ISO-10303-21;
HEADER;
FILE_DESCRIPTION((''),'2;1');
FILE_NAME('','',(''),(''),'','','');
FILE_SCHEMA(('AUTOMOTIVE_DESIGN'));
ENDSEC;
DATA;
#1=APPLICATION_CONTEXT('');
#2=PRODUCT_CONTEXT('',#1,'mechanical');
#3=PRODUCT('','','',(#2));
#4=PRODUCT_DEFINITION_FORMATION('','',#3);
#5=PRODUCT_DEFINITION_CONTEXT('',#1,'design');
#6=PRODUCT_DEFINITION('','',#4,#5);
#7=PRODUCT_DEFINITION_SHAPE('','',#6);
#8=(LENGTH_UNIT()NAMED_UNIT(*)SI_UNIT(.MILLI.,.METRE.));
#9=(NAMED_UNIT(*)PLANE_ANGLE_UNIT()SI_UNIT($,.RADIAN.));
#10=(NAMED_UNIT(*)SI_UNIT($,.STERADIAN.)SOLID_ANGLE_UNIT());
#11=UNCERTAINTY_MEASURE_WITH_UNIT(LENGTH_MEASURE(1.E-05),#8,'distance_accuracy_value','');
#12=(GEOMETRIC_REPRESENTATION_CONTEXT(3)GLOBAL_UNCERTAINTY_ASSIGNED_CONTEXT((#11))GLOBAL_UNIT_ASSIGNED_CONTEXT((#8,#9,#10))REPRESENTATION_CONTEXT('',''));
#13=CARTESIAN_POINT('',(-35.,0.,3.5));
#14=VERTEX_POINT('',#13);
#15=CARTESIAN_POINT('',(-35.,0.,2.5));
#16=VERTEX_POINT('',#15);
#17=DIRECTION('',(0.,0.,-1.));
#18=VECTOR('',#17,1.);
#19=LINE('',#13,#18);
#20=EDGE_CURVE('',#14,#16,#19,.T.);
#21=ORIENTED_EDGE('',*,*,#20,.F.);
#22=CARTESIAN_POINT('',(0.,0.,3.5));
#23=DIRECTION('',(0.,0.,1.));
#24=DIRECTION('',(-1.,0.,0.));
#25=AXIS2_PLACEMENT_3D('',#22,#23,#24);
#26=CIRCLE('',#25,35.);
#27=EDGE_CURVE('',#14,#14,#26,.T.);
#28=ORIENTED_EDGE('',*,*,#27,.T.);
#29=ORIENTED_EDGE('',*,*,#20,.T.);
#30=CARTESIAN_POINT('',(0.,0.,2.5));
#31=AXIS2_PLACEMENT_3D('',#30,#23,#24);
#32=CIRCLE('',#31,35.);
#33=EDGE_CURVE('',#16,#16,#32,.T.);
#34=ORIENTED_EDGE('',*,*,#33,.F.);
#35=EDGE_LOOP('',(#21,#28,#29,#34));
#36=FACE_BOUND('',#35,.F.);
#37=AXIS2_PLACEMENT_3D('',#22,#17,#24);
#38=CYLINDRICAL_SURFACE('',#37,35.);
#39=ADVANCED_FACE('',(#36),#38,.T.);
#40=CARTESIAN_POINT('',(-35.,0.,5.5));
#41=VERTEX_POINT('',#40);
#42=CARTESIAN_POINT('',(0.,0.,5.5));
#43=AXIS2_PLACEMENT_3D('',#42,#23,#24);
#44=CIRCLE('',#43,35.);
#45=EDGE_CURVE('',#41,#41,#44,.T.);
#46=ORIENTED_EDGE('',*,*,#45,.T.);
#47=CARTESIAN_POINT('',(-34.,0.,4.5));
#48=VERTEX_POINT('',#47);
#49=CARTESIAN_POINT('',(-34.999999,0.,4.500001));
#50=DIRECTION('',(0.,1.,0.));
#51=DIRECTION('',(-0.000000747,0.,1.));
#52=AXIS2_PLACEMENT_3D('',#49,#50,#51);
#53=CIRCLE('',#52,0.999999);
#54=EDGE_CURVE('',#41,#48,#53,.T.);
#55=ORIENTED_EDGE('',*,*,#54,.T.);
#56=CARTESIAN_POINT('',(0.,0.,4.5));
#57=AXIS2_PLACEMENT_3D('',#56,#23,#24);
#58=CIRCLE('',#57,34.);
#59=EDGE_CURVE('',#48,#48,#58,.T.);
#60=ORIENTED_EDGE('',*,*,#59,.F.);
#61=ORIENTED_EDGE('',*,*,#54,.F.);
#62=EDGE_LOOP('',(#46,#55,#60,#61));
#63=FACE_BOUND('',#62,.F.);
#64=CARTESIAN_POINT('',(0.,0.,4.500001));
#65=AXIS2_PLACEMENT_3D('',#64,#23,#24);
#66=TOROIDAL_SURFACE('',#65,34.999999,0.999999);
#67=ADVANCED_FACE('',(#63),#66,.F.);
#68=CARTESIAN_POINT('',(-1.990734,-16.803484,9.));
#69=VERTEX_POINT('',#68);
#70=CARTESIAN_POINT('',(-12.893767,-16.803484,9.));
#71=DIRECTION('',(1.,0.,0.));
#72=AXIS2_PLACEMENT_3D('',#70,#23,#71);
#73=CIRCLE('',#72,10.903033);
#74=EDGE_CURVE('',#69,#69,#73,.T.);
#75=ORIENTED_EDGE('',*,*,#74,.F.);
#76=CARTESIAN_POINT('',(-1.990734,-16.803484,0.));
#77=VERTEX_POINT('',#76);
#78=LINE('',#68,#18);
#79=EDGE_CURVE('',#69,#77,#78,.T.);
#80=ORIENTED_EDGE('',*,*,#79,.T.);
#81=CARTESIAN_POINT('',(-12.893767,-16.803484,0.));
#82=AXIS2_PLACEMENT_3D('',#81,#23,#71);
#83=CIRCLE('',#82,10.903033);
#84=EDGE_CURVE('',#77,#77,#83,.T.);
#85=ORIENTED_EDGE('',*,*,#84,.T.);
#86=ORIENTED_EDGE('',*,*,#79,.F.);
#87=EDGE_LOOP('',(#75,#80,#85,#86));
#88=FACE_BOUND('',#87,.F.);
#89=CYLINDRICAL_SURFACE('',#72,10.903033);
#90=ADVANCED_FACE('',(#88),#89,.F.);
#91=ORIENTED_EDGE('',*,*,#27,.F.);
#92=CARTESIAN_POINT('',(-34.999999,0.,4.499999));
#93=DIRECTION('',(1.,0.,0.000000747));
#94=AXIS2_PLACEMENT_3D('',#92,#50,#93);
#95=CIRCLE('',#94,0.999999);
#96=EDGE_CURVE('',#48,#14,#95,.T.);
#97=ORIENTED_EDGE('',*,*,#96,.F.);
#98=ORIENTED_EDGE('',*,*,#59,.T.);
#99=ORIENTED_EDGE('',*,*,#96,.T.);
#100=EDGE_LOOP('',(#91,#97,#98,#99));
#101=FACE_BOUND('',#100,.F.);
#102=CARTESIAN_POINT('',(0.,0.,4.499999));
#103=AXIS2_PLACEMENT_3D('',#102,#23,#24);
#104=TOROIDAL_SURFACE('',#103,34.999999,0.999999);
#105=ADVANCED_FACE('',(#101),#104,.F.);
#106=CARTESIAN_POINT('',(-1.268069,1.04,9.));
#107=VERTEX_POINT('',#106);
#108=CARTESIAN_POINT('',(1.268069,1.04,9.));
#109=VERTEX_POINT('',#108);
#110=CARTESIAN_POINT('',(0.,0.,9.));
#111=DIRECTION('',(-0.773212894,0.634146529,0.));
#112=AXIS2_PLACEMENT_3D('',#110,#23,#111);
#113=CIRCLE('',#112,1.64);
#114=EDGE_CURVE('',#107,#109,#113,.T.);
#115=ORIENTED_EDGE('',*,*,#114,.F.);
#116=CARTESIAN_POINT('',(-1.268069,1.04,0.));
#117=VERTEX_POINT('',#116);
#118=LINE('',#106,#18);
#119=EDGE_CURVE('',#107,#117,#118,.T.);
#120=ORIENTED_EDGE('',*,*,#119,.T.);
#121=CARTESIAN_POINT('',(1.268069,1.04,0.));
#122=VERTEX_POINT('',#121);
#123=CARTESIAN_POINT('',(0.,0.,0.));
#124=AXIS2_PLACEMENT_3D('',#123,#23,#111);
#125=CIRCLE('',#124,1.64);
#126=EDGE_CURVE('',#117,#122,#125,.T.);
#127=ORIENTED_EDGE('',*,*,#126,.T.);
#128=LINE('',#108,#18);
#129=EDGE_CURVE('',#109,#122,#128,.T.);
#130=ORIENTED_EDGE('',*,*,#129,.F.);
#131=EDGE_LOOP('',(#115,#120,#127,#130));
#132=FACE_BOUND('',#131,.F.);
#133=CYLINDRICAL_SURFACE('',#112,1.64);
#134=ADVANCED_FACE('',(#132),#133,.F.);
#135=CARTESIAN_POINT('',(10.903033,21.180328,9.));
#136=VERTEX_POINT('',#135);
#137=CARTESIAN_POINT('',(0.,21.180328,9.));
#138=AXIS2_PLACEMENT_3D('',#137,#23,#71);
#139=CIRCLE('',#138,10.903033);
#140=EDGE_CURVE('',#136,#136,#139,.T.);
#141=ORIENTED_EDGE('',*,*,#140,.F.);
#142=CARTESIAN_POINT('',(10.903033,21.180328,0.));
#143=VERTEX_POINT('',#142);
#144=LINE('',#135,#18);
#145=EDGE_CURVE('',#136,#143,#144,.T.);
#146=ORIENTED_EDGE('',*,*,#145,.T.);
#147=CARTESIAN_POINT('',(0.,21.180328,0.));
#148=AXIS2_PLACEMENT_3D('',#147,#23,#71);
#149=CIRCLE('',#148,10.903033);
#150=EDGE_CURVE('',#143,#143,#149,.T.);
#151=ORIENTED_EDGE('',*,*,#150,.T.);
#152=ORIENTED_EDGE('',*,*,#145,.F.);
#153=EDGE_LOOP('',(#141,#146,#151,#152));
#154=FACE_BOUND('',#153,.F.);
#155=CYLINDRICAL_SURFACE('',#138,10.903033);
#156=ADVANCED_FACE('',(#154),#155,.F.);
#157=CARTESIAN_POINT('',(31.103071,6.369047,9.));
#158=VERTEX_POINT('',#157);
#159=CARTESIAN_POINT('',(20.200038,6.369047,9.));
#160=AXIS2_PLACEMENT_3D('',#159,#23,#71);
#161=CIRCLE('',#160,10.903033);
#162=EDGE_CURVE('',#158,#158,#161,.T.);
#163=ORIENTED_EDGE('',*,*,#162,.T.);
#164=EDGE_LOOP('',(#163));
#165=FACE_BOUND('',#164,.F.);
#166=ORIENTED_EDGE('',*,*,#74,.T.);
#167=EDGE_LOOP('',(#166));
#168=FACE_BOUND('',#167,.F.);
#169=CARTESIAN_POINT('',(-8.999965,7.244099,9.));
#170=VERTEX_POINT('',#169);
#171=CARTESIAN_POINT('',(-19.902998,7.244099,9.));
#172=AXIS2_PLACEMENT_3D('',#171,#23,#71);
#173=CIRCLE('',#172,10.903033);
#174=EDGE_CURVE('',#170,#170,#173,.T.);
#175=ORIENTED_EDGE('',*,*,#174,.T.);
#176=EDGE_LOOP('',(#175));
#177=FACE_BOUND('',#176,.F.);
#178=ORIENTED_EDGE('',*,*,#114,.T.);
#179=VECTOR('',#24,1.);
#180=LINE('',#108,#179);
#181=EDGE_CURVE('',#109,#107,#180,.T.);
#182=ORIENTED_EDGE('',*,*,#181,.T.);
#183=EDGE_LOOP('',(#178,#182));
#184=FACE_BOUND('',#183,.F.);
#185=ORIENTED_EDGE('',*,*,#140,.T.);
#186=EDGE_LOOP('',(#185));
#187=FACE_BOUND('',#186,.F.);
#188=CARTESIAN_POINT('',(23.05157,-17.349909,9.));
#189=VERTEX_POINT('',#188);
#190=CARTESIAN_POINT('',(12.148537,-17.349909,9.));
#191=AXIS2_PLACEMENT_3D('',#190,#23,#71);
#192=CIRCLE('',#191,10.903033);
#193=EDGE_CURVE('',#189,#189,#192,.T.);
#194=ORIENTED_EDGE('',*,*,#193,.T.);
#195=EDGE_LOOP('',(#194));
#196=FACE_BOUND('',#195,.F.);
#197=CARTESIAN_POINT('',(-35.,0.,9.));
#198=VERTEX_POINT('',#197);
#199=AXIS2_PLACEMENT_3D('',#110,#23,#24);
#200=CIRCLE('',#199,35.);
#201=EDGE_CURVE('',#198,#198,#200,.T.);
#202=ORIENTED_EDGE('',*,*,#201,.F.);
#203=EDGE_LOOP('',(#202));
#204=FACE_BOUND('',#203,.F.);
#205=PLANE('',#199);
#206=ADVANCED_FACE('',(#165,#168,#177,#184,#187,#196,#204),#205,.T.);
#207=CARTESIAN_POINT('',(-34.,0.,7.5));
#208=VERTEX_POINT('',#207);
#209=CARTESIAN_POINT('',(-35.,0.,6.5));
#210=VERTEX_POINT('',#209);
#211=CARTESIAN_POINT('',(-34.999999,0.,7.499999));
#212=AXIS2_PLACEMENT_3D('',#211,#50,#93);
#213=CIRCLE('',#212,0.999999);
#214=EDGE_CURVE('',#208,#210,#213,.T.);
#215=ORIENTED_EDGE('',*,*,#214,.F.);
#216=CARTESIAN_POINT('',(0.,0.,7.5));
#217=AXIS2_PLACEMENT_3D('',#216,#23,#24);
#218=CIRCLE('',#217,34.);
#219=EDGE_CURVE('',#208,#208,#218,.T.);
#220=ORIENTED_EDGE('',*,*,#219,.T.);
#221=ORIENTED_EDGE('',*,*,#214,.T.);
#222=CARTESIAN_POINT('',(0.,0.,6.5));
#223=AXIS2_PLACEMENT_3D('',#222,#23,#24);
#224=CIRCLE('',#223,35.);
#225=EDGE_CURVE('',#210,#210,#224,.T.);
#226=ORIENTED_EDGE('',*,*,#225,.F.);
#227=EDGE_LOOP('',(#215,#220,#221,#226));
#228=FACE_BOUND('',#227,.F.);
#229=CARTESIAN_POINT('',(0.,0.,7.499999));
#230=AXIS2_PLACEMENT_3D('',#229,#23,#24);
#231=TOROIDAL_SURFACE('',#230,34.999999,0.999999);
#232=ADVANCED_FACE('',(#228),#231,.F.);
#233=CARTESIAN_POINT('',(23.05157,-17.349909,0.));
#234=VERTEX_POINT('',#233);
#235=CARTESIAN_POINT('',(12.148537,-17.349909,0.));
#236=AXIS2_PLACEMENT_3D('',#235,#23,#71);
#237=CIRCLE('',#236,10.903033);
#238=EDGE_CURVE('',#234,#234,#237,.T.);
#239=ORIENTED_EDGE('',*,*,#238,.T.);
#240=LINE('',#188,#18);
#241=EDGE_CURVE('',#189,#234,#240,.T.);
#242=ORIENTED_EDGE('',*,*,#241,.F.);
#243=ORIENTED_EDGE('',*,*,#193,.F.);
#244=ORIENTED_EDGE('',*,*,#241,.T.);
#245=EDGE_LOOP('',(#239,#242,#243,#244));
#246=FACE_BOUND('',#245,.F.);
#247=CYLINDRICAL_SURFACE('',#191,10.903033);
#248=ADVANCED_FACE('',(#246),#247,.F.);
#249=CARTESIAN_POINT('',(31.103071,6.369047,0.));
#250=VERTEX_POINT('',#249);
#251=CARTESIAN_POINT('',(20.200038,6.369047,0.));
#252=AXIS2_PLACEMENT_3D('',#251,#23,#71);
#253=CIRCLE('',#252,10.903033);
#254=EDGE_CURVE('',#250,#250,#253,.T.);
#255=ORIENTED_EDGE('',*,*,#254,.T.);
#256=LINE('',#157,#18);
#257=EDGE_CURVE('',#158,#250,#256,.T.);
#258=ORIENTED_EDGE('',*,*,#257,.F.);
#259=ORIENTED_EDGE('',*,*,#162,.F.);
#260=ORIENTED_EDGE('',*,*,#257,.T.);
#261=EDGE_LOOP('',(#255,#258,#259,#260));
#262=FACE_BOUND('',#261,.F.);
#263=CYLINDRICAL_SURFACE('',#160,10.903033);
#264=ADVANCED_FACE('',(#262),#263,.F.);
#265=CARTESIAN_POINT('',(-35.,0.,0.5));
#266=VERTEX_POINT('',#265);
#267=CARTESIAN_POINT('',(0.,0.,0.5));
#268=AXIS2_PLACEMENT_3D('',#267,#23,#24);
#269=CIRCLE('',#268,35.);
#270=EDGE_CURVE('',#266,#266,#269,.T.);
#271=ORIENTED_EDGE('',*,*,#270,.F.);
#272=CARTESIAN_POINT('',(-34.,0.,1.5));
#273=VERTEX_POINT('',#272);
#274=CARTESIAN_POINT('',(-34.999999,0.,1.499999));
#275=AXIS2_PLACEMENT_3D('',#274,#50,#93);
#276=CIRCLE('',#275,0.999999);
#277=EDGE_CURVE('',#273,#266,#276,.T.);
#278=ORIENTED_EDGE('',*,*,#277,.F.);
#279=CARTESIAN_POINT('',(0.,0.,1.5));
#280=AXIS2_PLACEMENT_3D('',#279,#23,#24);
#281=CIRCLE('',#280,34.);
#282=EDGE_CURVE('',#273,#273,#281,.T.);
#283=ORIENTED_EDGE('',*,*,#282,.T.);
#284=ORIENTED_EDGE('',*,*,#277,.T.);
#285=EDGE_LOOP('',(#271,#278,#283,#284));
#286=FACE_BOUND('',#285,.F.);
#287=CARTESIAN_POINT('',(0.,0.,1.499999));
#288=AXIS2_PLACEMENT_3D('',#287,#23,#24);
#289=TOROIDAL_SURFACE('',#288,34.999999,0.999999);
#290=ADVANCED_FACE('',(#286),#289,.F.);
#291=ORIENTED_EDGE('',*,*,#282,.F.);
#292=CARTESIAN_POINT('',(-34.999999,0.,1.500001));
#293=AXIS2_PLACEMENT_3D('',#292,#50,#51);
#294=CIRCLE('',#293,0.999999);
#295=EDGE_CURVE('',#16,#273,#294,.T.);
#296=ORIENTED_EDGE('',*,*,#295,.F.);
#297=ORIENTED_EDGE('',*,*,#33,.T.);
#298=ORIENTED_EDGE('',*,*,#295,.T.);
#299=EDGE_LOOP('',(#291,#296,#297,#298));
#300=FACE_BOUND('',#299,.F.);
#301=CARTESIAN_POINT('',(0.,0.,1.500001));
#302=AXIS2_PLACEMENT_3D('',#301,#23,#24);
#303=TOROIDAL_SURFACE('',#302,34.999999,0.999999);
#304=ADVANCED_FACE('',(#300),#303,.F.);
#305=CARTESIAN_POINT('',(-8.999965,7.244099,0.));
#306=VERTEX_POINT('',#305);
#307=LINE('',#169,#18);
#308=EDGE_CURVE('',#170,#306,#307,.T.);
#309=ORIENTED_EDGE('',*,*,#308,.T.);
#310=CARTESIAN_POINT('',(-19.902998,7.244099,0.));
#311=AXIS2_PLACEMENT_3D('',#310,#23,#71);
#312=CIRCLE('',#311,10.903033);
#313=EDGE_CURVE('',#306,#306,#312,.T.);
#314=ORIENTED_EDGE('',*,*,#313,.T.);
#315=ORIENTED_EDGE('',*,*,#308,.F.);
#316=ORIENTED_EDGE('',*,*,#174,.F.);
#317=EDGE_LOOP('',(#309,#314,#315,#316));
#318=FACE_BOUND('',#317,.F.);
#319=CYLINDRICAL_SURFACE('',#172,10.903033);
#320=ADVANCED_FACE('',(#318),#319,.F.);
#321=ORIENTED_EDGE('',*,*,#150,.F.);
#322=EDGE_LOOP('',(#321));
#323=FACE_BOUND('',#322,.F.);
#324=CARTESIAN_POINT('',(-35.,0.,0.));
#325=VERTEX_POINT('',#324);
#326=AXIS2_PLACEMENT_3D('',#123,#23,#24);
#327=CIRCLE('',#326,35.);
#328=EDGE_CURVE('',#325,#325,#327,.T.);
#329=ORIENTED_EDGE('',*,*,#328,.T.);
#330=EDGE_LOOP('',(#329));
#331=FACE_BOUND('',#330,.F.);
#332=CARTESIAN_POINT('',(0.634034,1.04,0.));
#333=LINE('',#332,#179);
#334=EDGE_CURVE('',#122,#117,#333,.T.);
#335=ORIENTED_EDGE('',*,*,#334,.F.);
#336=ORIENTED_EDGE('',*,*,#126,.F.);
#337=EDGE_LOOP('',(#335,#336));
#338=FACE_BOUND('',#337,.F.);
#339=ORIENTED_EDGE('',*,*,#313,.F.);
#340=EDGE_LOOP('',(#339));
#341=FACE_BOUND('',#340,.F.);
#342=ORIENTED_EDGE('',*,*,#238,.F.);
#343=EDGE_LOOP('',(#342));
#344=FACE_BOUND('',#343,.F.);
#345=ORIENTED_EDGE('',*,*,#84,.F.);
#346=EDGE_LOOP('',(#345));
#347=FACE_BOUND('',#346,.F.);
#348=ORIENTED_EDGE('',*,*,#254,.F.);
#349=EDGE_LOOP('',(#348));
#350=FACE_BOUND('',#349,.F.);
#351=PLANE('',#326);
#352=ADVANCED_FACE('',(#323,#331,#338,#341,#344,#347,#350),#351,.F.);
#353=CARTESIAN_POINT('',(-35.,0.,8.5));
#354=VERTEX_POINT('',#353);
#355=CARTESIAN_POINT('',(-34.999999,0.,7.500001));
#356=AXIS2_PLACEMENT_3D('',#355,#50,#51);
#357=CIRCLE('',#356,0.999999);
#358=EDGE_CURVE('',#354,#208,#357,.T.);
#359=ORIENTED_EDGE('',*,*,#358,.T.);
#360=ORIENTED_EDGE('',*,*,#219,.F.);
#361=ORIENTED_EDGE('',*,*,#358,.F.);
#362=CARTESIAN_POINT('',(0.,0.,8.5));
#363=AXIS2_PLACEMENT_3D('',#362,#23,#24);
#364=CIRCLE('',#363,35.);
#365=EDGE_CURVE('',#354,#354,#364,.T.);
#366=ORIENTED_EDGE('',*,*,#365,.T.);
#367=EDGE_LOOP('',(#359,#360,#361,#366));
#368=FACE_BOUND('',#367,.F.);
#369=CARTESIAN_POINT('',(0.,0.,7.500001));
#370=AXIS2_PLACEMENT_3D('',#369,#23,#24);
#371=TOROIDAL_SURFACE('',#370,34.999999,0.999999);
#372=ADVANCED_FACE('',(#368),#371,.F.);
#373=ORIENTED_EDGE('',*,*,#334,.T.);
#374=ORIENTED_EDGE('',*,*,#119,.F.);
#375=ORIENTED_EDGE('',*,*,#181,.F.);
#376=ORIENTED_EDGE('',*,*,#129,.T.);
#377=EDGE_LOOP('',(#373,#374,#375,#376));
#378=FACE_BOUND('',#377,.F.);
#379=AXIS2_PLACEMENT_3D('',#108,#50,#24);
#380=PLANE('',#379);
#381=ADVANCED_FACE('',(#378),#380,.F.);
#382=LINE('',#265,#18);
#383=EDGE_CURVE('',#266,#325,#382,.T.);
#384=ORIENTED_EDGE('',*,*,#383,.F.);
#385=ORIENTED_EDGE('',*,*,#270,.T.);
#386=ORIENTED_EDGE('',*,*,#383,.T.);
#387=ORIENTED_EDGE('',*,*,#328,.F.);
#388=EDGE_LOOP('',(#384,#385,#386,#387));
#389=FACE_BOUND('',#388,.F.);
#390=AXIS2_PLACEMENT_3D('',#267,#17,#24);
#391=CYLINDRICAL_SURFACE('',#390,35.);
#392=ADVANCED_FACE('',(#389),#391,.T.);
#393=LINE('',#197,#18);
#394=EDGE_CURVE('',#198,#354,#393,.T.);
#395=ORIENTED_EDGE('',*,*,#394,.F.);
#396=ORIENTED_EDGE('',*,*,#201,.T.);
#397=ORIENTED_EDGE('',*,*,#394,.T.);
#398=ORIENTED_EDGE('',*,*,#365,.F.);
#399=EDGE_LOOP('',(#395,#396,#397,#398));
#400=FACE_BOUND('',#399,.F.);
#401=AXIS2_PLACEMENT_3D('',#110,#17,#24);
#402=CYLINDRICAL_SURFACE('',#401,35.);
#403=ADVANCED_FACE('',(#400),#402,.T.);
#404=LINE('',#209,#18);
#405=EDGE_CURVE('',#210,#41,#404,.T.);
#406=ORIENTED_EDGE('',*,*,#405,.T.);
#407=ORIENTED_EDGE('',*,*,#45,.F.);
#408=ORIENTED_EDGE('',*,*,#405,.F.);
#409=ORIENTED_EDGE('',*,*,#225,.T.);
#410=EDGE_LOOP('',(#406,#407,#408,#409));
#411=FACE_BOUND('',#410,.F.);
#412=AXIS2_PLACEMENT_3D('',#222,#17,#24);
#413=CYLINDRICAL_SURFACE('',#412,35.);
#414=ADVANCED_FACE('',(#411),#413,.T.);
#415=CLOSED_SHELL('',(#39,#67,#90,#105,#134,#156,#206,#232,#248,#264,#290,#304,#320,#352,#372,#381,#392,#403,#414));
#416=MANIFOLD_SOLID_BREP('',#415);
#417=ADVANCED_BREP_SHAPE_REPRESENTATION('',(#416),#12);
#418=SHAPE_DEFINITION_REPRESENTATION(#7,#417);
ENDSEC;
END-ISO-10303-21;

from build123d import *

# Parameters (mm, degrees)
F3_DEPTH = 9.001
F4_R     = 10.903033
F5_DEPTH = 9.001


with BuildPart() as f1:
    # F0 (on Front) → F1 (revolve)
    with BuildSketch(Plane.XZ):
        with BuildLine():
            Line((-35, 0), (0, 0))
            Line((0, 0), (0, 9))
            Line((0, 9), (-35, 9))
            Line((-35, 9), (-35, 8.5))
            ThreePointArc((-35, 8.5), (-34.292893, 8.207107), (-34, 7.5))
            ThreePointArc((-34, 7.5), (-34.292893, 6.792893), (-35, 6.5))
            Line((-35, 6.5), (-35, 5.5))
            ThreePointArc((-35, 5.5), (-34.292893, 5.207107), (-34, 4.5))
            ThreePointArc((-34, 4.5), (-34.292893, 3.792893), (-35, 3.5))
            Line((-35, 3.5), (-35, 2.5))
            ThreePointArc((-35, 2.5), (-34.292893, 2.207107), (-34, 1.5))
            ThreePointArc((-34, 1.5), (-34.292893, 0.792893), (-35, 0.5))
            Line((-35, 0.5), (-35, 0))
        make_face()
    revolve(axis=Axis((0, 0, 4.5), (0, 0, 1)))

    # F2 (on face) → F3 (cut, through all)
    with BuildSketch(Plane.XY.offset(9)):
        with BuildLine():
            Line((1.268069, 1.04), (-1.268069, 1.04))
            ThreePointArc((-1.268069, 1.04), (0, -1.64), (1.268069, 1.04))
        make_face()
    extrude(amount=-F3_DEPTH, mode=Mode.SUBTRACT)

    # F4 (on face) → F5 (cut, through all)
    with BuildSketch(Plane.XY.offset(9)):
        with Locations((0, 21.180328)):
            Circle(F4_R)
        with Locations((20.200038, 6.369047)):
            Circle(F4_R)
        with Locations((12.148537, -17.349909)):
            Circle(F4_R)
        with Locations((-12.893767, -16.803484)):
            Circle(F4_R)
        with Locations((-19.902998, 7.244099)):
            Circle(F4_R)
    extrude(amount=-F5_DEPTH, mode=Mode.SUBTRACT)


solid = f1.part
